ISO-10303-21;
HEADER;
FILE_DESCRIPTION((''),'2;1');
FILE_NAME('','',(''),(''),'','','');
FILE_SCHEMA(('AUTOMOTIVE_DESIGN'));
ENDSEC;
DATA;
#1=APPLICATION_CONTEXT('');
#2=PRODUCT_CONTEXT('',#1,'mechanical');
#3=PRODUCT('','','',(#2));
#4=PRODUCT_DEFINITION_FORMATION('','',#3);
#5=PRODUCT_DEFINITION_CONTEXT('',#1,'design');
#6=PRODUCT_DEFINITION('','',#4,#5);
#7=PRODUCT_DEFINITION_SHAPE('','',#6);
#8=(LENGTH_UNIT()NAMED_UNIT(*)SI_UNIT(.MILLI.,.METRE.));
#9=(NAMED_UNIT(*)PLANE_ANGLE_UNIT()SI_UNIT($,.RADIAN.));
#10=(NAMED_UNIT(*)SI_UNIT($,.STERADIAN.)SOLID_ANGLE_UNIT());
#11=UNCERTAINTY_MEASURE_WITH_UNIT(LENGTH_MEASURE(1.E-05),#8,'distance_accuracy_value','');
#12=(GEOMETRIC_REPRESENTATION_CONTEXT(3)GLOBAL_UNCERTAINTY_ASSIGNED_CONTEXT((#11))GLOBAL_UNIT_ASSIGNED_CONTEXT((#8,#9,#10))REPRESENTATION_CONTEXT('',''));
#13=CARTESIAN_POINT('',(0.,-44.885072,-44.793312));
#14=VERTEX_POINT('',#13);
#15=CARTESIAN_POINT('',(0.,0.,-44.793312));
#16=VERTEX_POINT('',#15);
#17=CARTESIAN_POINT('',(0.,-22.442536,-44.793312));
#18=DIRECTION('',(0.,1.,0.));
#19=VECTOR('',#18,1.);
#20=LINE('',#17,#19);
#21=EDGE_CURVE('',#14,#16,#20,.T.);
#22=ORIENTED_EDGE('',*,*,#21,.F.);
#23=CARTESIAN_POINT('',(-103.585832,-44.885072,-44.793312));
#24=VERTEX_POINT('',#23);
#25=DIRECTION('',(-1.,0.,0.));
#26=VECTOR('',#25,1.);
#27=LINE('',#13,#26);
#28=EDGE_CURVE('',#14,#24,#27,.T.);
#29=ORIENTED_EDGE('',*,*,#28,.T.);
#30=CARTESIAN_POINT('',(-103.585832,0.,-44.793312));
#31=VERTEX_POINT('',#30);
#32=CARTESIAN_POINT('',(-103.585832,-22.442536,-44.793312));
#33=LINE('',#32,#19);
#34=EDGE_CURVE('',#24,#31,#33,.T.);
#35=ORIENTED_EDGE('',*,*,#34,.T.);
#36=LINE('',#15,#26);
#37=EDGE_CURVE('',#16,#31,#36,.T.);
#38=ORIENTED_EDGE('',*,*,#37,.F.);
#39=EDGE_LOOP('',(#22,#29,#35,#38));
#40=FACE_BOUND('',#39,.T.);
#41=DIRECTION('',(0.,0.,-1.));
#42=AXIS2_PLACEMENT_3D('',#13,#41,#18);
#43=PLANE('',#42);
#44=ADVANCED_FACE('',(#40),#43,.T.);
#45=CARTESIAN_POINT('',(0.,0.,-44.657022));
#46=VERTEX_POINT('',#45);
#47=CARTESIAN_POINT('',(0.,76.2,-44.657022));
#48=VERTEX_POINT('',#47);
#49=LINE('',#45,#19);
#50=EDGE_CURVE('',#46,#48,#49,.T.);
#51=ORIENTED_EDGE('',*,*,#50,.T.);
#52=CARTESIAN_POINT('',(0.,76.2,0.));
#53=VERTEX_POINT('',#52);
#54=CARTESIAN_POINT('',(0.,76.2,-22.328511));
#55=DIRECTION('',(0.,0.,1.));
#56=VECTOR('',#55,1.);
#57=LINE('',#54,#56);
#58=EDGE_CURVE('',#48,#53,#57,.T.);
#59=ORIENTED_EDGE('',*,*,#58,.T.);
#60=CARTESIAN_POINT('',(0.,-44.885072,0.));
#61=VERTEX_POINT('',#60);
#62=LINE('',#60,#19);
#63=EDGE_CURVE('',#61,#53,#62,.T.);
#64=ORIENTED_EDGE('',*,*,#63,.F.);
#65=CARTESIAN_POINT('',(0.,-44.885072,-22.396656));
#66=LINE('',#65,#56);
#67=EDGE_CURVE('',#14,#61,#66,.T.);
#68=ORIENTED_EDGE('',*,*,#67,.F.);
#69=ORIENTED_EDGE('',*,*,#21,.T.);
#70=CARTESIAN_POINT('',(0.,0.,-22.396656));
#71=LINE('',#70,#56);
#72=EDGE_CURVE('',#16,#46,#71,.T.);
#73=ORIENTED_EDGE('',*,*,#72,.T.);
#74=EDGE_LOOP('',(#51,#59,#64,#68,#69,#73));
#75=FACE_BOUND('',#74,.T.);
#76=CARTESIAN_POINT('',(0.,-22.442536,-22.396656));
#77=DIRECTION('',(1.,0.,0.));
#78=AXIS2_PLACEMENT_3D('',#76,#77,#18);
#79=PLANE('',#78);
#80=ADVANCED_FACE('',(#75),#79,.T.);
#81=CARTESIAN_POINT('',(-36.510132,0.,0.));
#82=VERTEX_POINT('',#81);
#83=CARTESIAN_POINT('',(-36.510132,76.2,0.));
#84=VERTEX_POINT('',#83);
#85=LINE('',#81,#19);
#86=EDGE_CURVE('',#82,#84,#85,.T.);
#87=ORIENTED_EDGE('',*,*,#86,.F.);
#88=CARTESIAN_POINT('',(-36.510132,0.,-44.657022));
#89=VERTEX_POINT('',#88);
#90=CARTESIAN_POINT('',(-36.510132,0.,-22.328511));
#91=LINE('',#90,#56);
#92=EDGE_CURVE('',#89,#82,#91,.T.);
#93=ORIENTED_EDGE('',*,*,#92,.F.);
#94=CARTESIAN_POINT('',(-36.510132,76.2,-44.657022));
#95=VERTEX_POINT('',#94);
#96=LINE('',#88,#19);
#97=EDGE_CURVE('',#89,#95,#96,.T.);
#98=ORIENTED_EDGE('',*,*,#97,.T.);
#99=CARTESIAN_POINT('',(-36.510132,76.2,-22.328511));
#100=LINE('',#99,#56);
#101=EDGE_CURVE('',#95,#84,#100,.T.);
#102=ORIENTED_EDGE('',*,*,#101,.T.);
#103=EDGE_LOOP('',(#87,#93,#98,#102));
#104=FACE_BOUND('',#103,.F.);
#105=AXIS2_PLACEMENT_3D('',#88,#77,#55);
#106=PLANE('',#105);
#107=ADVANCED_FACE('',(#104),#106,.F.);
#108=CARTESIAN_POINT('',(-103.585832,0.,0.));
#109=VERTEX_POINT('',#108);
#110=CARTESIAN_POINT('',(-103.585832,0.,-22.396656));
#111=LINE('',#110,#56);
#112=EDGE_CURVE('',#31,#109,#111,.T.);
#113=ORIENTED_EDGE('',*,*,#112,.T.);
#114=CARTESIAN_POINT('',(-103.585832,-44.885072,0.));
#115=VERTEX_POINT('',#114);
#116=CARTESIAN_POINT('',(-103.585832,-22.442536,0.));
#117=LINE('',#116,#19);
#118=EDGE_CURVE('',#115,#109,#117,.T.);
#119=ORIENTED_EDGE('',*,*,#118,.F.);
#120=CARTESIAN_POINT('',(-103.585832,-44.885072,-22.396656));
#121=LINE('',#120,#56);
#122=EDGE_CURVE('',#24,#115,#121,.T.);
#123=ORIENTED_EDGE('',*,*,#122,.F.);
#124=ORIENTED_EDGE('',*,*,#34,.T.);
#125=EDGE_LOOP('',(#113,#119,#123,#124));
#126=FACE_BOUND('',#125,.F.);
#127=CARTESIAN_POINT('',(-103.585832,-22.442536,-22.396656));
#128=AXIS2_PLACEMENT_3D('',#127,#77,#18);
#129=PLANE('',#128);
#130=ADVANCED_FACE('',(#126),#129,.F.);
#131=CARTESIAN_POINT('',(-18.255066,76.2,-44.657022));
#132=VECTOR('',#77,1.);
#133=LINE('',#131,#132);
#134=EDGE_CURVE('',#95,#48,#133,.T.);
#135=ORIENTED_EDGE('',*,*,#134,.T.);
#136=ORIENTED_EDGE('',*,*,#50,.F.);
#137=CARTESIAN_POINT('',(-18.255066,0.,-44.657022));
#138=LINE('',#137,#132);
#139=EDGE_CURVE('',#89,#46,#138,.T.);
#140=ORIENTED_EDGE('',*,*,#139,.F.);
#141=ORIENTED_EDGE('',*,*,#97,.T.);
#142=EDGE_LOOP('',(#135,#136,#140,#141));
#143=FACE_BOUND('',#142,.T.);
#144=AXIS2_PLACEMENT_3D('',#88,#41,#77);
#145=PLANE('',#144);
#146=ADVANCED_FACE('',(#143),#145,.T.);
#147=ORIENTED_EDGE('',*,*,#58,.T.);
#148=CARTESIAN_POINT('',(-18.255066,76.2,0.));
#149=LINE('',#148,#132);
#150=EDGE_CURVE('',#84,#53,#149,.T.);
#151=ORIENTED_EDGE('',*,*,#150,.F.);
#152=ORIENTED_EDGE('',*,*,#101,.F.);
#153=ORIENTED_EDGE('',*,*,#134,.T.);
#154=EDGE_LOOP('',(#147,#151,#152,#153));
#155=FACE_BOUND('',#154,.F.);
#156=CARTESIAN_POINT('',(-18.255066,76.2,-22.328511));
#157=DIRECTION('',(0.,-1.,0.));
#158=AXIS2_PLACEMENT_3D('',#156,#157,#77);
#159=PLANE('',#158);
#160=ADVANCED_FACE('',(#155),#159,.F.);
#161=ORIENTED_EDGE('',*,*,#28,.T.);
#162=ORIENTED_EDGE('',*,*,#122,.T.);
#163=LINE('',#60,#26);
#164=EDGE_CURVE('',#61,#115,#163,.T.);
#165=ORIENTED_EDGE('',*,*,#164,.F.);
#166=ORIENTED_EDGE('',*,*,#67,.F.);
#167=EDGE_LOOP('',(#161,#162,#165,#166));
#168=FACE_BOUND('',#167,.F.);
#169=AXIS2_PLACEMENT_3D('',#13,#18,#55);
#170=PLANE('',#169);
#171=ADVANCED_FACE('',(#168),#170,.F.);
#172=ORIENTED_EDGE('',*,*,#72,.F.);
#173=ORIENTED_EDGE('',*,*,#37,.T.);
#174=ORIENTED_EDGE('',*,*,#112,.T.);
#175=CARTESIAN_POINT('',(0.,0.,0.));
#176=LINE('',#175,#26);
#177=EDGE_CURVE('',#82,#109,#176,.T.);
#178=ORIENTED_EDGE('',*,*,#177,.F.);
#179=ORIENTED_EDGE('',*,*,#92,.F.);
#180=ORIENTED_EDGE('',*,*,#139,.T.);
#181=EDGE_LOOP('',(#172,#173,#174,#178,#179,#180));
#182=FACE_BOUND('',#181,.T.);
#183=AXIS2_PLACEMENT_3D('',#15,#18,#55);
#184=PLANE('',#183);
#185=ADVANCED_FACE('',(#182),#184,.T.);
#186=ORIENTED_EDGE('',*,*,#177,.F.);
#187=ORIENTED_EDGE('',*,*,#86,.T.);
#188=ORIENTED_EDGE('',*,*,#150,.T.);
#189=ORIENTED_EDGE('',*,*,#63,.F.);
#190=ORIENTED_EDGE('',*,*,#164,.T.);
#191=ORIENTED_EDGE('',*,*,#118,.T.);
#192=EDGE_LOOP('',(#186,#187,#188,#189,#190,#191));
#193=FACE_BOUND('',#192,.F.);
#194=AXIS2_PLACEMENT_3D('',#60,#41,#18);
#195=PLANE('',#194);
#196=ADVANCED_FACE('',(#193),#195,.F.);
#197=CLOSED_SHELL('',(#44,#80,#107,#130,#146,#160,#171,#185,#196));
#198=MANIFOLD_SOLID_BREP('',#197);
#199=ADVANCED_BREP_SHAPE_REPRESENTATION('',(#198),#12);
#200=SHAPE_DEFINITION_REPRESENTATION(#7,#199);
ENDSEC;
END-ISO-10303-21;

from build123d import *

# Parameters (mm, degrees)
F0_W     = 36.510132
F0_H     = 44.657022
F1_DEPTH = 76.2
F2_W     = 44.885072
F2_H     = 44.793312
F3_DEPTH = 103.585832


with BuildPart() as f1:
    # F0 (on Front) → F1 (new body)
    with BuildSketch(Plane.XZ):
        with Locations((-18.255066, -22.328511)):
            Rectangle(F0_W, F0_H)
    extrude(amount=-F1_DEPTH)

    # F2 (on Right) → F3 (join)
    with BuildSketch(Plane.YZ):
        with Locations((-22.442536, -22.396656)):
            Rectangle(F2_W, F2_H)
    extrude(amount=-F3_DEPTH)


solid = f1.part
